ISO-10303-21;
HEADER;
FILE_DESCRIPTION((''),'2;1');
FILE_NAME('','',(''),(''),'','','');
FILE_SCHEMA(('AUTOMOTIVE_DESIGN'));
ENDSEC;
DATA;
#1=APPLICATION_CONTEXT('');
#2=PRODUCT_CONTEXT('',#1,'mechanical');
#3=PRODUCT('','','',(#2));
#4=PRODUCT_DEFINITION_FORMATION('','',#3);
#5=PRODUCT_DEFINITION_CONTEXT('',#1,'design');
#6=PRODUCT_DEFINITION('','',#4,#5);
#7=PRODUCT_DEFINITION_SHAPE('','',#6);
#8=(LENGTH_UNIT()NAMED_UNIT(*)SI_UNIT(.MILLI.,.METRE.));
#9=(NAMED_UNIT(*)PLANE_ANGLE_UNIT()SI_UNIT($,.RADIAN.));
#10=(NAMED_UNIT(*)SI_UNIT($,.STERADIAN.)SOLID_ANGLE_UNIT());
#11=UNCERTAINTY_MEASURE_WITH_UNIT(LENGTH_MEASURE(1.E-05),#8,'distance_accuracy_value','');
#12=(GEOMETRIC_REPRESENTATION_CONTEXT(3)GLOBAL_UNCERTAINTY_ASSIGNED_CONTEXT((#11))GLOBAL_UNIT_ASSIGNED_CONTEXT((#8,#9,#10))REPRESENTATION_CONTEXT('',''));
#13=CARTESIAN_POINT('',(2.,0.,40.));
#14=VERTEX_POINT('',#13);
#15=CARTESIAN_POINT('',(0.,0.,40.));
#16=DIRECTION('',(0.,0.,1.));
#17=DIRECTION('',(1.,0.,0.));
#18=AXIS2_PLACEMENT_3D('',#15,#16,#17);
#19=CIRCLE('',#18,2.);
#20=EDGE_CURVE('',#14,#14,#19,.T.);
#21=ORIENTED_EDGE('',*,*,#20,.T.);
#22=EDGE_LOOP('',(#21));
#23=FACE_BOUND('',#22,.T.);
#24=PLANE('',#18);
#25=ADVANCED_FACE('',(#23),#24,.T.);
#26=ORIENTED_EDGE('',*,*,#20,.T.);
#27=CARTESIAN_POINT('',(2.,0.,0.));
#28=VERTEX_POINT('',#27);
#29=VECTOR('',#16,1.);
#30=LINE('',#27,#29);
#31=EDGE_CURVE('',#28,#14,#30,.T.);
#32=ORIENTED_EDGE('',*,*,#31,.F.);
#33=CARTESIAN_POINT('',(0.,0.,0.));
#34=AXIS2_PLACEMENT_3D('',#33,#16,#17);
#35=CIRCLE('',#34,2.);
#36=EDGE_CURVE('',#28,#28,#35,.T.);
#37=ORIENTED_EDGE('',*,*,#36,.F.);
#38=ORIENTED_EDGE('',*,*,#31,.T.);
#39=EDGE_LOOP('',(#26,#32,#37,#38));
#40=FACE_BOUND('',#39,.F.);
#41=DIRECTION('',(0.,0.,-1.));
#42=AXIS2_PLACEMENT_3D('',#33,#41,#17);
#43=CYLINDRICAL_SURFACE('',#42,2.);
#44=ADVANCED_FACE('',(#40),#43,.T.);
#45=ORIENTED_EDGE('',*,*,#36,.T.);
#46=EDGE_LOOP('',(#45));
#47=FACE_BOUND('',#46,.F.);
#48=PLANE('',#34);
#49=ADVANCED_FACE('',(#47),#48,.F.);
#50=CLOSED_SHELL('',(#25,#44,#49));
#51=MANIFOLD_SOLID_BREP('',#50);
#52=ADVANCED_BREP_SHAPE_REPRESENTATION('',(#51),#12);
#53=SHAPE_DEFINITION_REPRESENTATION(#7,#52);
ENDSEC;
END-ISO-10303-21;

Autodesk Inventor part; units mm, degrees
ref_plane "YZ Plane" through (0, 0, 0) normal (1, 0, 0) x (0, 1, 0)
ref_plane "XZ Plane" through (0, 0, 0) normal (0, 1, 0) x (-1, 0, 0)
ref_plane "XY Plane" through (0, 0, 0) normal (0, 0, 1) x (1, 0, 0)
sketch "Sketch1" plane through (0, 0, 0) normal (0, 0, 1) x (1, 0, 0)
  circle A0 centre (0, 0) radius 2
  dimension "d0" = 4
extrude "Extrusion1" add sketch "Sketch1" along normal blind 40
properties part number "actuator_axis"
